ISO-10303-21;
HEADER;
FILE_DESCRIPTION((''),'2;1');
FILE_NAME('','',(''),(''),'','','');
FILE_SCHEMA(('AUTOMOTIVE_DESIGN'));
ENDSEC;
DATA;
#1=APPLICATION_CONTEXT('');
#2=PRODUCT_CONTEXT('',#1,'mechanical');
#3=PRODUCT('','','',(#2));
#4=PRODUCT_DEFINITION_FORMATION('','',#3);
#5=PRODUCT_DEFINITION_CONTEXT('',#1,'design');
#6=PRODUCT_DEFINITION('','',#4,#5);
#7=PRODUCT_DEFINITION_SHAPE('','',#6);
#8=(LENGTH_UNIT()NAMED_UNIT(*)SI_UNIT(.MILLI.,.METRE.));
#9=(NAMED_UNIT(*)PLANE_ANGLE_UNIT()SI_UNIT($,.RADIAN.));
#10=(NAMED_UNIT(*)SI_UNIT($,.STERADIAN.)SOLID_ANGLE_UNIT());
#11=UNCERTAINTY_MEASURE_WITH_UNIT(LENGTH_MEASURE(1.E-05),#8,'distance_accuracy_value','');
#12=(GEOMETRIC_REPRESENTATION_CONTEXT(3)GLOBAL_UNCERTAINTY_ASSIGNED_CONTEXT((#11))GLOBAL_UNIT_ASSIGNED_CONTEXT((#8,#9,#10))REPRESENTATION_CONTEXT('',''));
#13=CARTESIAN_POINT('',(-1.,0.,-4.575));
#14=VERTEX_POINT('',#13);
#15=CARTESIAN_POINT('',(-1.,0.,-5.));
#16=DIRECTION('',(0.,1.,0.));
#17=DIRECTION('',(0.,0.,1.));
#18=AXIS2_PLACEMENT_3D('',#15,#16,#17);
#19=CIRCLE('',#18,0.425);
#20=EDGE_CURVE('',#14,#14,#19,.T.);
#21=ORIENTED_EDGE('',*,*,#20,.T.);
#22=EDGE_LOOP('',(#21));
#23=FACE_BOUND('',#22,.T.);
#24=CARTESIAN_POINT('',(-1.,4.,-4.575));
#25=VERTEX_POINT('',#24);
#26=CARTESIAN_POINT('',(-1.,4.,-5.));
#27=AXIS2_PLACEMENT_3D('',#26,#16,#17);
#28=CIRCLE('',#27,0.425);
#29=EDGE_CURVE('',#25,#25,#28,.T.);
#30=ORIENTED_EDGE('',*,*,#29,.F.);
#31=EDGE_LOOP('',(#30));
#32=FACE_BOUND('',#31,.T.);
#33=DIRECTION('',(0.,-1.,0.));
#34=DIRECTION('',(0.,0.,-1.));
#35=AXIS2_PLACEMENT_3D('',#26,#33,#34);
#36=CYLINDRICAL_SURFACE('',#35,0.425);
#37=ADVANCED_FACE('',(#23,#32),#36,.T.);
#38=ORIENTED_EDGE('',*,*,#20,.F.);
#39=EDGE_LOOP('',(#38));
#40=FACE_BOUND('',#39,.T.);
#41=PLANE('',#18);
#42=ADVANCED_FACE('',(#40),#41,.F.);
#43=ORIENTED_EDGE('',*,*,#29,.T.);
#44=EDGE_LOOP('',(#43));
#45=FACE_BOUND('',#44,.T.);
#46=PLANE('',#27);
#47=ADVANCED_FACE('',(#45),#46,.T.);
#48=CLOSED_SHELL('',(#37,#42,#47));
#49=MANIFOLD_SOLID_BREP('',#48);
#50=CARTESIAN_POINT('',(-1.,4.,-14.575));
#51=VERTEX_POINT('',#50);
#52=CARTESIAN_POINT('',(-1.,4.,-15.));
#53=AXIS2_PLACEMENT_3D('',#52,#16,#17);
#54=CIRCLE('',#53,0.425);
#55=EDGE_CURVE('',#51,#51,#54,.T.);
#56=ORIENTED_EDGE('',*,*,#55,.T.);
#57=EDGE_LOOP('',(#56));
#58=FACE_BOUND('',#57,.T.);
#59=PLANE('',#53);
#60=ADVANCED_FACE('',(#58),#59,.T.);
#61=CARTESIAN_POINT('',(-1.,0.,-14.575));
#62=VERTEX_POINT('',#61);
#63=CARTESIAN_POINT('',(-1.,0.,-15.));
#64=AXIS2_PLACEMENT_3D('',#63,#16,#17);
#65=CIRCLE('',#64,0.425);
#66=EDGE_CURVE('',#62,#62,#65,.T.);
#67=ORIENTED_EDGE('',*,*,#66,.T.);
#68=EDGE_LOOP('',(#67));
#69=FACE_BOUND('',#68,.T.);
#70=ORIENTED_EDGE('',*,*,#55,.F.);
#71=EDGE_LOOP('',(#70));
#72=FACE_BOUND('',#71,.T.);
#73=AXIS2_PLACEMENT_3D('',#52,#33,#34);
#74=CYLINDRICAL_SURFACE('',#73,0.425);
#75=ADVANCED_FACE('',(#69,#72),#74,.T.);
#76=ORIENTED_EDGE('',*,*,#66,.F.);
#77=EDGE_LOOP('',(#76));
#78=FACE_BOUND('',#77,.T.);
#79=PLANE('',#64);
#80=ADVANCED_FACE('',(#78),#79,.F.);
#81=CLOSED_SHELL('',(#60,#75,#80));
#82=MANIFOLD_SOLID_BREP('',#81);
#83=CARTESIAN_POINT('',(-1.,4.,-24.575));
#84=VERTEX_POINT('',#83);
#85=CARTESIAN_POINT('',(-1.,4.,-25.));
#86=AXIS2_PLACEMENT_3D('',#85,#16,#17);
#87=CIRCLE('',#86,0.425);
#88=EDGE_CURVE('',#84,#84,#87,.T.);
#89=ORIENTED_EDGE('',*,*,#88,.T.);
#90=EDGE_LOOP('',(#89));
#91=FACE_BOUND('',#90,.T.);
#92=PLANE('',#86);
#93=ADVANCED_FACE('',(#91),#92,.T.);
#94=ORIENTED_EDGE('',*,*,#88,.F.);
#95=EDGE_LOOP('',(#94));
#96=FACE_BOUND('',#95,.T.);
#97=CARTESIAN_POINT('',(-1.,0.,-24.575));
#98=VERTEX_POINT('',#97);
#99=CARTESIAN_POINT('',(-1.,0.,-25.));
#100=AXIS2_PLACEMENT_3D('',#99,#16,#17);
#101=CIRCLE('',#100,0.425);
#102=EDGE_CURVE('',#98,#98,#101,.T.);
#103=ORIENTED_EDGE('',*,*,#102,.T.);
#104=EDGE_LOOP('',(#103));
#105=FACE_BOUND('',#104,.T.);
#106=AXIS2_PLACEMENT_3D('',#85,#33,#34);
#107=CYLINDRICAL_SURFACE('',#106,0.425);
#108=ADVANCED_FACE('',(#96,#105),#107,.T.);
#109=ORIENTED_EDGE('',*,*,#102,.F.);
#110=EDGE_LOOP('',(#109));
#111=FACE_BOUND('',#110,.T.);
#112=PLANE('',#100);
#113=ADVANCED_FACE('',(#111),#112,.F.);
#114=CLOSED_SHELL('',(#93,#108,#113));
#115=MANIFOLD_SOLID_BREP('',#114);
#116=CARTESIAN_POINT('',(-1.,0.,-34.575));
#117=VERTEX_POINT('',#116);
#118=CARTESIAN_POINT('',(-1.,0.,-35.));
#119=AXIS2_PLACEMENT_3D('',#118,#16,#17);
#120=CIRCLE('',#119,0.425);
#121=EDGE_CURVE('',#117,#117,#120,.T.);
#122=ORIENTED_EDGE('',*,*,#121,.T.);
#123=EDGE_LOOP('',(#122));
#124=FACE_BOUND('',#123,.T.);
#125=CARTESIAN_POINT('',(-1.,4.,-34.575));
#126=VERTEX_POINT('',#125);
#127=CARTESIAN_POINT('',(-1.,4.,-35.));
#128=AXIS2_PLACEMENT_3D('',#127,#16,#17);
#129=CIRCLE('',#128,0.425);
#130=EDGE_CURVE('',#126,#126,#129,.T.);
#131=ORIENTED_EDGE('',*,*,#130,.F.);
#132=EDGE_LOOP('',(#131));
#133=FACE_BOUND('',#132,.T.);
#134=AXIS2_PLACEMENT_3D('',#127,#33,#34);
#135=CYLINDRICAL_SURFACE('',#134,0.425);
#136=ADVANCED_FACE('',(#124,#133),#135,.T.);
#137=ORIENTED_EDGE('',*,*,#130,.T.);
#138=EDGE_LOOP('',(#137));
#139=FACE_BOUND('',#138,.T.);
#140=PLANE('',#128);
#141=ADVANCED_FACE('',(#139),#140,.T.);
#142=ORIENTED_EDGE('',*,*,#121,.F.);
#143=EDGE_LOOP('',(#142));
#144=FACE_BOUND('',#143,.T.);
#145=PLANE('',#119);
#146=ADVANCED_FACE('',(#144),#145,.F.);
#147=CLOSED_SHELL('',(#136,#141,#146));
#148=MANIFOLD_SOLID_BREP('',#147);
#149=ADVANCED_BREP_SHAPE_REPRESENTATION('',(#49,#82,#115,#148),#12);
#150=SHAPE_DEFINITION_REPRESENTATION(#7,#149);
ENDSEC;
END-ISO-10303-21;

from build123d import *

# Parameters (mm, degrees)
SKETCH3_R             = 0.425
BOSS_EXTRUDE1_DEPTH   = 4
BOSS_EXTRUDE1_2_DEPTH = 4
BOSS_EXTRUDE1_3_DEPTH = 4
BOSS_EXTRUDE1_4_DEPTH = 4


with BuildPart() as part:
    # Sketch3 → Boss-Extrude1 (new body)
    with BuildSketch(Plane(origin=(0, 0, 0), x_dir=(1, 0, 0), z_dir=(0, 1, 0))):
        with Locations(Location((-1, 5, 0), (0, 0, 270))):
            Circle(SKETCH3_R)
    extrude(amount=BOSS_EXTRUDE1_DEPTH)


with BuildPart() as body_2:
    # Sketch3 → Boss-Extrude1 2 (new body)
    with BuildSketch(Plane(origin=(0, 0, 0), x_dir=(1, 0, 0), z_dir=(0, 1, 0))):
        with Locations(Location((-1, 15, 0), (0, 0, 270))):
            Circle(SKETCH3_R)
    extrude(amount=BOSS_EXTRUDE1_2_DEPTH)


with BuildPart() as body_3:
    # Sketch3 → Boss-Extrude1 3 (new body)
    with BuildSketch(Plane(origin=(0, 0, 0), x_dir=(1, 0, 0), z_dir=(0, 1, 0))):
        with Locations(Location((-1, 25, 0), (0, 0, 270))):
            Circle(SKETCH3_R)
    extrude(amount=BOSS_EXTRUDE1_3_DEPTH)


with BuildPart() as body_4:
    # Sketch3 → Boss-Extrude1 4 (new body)
    with BuildSketch(Plane(origin=(0, 0, 0), x_dir=(1, 0, 0), z_dir=(0, 1, 0))):
        with Locations(Location((-1, 35, 0), (0, 0, 270))):
            Circle(SKETCH3_R)
    extrude(amount=BOSS_EXTRUDE1_4_DEPTH)


solid = Compound([part.part, body_2.part, body_3.part, body_4.part])
